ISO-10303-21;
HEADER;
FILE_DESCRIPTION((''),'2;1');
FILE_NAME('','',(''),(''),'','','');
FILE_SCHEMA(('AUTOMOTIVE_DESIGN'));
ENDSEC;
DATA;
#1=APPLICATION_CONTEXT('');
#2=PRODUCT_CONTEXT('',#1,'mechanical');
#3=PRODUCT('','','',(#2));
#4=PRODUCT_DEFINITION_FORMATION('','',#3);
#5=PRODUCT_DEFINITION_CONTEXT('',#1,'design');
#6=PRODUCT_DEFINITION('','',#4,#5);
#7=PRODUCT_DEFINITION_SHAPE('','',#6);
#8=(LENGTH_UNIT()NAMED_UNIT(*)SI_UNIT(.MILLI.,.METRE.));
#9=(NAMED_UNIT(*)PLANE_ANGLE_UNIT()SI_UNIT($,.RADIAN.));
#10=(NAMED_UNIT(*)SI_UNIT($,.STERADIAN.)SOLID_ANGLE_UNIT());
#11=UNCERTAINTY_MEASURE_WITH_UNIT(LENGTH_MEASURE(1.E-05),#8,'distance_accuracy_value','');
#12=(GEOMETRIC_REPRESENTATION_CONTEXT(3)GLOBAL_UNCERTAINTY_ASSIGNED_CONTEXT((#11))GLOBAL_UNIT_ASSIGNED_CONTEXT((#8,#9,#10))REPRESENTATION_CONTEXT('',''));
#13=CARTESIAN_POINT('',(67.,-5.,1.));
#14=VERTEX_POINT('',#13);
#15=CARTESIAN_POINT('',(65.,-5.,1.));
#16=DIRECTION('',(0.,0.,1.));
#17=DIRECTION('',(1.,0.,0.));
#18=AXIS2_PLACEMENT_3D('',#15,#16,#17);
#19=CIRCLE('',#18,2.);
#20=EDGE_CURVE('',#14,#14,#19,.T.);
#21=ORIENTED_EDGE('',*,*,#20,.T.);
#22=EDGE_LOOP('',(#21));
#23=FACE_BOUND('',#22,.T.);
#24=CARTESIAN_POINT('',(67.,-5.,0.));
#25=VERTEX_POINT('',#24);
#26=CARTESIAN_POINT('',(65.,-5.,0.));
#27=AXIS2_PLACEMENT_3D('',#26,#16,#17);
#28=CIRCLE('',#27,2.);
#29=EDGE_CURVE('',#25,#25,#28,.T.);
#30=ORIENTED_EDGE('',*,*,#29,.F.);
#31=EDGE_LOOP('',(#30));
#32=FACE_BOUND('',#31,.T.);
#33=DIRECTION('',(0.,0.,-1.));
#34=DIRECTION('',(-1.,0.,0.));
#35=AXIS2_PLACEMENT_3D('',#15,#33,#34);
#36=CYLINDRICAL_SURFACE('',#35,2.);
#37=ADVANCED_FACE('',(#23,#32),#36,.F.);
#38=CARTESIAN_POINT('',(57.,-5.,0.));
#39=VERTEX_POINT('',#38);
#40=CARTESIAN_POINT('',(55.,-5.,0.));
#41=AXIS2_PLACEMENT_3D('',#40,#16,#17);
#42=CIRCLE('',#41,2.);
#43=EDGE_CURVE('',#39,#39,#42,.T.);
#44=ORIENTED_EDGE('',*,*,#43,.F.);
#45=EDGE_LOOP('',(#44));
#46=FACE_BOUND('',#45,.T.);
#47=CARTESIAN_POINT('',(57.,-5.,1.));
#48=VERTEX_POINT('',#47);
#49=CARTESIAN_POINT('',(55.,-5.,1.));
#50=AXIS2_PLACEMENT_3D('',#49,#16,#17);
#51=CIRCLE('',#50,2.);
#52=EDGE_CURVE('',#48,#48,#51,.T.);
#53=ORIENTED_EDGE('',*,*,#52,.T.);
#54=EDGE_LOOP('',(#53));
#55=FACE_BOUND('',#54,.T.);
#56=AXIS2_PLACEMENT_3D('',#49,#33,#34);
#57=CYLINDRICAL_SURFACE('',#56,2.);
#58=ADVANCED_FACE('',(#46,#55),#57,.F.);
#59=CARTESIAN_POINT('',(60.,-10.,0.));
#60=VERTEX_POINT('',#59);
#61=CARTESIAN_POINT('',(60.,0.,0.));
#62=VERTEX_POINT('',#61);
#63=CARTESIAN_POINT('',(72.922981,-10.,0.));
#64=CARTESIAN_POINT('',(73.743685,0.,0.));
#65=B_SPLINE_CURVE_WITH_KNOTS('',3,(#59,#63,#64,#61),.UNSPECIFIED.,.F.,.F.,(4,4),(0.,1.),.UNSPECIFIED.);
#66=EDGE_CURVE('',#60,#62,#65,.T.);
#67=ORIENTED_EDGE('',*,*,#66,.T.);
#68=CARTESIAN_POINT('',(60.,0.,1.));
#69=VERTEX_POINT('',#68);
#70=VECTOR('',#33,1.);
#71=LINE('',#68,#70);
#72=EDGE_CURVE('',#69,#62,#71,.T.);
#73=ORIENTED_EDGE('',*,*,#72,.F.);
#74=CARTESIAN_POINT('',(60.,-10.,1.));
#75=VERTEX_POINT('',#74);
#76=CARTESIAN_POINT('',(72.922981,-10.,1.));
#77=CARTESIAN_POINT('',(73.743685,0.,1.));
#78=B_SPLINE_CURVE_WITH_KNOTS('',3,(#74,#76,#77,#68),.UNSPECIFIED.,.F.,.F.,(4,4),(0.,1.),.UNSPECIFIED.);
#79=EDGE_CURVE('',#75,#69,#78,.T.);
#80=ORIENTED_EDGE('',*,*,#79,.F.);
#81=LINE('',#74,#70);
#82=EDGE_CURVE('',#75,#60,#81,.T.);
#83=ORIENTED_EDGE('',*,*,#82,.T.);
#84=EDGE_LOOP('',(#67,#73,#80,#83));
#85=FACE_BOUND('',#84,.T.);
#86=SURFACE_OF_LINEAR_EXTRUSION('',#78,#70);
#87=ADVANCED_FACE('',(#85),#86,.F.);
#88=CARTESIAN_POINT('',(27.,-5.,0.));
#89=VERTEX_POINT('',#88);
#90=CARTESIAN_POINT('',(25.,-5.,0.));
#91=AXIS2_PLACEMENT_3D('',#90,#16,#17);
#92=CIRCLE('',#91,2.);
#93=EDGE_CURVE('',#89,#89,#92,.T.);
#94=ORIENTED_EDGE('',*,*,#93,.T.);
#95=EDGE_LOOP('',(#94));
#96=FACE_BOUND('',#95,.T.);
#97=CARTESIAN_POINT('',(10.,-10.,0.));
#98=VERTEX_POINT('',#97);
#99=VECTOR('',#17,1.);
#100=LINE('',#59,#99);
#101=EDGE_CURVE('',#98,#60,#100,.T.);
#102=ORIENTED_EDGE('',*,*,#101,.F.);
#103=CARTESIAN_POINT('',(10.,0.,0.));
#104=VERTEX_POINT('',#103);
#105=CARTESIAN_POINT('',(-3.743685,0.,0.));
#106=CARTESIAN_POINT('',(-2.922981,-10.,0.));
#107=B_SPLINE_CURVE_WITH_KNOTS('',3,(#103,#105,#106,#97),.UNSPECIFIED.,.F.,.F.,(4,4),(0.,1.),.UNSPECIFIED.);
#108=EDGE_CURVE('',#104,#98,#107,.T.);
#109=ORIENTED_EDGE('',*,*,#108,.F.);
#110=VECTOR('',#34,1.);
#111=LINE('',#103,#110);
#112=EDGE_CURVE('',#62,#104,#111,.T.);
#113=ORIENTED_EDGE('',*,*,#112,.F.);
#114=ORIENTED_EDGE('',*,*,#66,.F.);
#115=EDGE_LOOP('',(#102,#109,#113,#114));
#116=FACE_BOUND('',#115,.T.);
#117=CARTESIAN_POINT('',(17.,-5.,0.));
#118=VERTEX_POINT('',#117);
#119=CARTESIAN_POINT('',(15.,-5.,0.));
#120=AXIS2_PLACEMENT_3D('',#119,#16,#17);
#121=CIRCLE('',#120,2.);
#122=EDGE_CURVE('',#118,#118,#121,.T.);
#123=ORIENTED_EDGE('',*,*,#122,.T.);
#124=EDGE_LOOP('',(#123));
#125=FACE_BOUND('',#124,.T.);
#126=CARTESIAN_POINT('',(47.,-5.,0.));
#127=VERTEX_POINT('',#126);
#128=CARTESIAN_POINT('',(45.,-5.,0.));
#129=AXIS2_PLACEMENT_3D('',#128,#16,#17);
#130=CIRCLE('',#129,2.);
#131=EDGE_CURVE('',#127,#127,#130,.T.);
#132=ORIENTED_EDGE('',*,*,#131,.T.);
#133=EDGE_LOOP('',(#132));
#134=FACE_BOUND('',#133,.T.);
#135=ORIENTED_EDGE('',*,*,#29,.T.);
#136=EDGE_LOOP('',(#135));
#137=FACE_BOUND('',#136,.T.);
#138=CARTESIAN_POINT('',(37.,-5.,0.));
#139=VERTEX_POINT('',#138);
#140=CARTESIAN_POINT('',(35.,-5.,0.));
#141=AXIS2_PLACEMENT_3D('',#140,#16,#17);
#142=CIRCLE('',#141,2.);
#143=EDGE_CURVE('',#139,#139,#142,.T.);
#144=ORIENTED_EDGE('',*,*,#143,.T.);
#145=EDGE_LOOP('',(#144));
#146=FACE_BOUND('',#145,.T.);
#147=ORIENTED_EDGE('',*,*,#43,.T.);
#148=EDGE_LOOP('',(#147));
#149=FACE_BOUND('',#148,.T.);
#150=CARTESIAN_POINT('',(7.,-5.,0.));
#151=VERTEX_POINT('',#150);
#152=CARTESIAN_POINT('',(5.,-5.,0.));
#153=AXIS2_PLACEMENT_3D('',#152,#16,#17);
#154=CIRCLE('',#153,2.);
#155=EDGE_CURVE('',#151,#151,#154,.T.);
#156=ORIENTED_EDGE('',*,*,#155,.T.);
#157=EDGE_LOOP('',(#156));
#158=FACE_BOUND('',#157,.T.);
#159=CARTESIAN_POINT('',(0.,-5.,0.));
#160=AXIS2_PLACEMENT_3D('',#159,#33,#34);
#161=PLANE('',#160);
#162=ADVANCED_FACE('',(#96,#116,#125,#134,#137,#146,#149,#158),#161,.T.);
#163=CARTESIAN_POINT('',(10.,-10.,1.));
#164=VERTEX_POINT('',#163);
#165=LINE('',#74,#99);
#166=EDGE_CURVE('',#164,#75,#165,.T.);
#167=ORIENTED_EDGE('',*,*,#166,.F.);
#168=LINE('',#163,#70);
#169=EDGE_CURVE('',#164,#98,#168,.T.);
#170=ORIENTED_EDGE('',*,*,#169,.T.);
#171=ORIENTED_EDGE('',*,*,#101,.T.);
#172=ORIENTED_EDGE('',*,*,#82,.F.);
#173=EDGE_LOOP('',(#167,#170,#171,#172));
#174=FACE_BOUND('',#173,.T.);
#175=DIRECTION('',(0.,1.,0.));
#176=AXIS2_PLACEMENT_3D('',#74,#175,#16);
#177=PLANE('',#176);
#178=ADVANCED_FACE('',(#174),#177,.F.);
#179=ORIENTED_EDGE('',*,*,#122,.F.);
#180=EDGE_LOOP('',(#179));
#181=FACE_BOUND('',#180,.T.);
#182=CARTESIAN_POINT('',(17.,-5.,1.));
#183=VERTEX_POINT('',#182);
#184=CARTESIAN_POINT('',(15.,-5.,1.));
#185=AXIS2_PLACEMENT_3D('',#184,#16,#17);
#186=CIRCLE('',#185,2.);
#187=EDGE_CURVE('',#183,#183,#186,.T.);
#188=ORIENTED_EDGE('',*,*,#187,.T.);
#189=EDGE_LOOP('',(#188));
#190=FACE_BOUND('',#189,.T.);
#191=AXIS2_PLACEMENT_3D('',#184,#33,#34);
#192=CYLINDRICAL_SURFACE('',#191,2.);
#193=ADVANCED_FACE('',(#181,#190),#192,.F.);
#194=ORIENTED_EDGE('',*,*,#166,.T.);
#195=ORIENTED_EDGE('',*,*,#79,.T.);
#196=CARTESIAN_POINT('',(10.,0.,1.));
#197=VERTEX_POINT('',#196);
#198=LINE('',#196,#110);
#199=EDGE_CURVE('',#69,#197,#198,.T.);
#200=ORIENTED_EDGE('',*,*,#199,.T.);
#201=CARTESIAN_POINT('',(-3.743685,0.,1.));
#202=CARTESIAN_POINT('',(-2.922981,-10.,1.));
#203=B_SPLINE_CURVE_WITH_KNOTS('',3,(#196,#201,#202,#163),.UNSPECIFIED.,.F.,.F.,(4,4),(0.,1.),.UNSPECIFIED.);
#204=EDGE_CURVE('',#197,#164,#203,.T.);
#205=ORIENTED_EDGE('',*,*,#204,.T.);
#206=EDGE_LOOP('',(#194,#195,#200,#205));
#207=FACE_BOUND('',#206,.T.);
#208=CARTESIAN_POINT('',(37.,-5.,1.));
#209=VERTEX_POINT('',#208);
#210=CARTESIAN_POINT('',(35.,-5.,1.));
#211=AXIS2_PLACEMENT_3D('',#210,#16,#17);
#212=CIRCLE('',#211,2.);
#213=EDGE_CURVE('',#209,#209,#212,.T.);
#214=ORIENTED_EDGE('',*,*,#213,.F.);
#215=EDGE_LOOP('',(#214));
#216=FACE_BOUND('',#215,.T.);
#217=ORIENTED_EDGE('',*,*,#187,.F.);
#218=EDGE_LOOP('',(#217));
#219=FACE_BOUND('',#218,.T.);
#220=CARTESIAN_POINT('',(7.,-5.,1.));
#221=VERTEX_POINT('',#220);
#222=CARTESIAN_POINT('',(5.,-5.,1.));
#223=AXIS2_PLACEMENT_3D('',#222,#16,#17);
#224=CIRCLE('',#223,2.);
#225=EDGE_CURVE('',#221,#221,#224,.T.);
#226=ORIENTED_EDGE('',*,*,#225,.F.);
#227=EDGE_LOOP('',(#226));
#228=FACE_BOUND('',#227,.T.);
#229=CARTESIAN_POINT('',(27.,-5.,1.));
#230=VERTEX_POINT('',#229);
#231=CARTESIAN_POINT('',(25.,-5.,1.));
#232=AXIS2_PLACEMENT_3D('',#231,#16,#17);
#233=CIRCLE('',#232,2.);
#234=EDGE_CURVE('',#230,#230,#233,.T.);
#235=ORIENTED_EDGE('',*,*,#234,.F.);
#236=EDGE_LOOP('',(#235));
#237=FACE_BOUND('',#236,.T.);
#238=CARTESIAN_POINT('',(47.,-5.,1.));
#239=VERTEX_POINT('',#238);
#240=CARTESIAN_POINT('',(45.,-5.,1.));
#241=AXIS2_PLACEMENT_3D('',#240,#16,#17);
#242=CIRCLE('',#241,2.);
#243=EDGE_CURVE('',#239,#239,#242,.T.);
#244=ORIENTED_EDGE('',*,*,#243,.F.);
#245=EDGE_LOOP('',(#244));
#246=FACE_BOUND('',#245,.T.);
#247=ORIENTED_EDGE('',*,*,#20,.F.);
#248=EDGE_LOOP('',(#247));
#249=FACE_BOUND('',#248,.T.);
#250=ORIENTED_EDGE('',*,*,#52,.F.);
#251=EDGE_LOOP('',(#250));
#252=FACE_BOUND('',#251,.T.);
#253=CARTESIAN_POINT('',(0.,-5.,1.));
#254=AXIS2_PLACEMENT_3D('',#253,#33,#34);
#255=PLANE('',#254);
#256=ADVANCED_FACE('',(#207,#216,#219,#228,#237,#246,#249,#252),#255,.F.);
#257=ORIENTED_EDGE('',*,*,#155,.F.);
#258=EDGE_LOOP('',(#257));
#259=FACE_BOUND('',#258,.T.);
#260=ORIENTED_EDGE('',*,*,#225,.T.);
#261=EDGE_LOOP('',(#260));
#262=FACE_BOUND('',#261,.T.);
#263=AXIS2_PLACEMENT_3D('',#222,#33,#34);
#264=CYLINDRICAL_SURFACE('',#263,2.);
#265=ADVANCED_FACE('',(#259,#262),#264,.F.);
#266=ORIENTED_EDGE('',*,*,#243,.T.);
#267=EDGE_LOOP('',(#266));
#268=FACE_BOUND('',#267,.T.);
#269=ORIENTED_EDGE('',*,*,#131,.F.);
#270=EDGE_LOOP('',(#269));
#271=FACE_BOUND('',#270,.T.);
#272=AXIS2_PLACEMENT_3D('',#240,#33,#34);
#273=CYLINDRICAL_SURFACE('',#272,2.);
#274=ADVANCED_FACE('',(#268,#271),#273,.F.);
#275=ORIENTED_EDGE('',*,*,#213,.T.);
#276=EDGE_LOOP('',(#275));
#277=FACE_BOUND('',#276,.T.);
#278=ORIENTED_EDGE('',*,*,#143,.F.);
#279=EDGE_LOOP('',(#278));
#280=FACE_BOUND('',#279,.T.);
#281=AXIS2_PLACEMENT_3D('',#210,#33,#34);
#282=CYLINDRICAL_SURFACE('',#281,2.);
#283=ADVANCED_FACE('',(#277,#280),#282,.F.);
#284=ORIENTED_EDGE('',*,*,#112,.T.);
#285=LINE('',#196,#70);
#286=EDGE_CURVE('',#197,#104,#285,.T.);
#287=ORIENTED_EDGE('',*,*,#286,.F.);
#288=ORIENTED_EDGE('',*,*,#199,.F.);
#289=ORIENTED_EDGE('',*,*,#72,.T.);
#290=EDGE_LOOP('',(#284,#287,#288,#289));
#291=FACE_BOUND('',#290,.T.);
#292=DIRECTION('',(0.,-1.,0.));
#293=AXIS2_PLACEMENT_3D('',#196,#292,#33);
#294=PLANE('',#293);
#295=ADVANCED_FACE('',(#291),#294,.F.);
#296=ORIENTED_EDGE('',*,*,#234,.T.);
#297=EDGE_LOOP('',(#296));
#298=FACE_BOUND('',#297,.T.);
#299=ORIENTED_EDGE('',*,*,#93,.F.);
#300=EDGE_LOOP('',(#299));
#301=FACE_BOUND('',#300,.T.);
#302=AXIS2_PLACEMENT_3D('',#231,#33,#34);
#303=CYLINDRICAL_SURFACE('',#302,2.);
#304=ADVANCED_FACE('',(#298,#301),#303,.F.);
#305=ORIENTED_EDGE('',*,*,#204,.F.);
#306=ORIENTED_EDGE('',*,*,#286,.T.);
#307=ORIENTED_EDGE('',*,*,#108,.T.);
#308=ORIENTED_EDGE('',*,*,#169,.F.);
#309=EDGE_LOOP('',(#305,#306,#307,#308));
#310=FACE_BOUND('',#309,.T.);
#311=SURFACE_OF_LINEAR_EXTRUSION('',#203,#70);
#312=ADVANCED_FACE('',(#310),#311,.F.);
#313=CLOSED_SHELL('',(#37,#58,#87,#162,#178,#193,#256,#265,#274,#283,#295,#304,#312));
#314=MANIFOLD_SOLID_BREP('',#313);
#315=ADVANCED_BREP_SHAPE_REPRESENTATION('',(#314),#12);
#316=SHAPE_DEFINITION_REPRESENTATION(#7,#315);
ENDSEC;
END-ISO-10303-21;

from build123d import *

# Parameters (mm, degrees)
SKETCH_3_R      = 2
EXTRUDE_1_DEPTH = 1


with BuildPart() as part:
    # Эскиз3 → Бобышка-Вытянуть1 (new body)
    with BuildSketch(Plane.XY):
        with BuildLine():
            Line((10, 0), (60, 0))
            add(Edge.make_bspline(
                [(60, 0), (73.743685419, 0), (72.922981248, -10), (60, -10)],
                knots=[0, 0, 0, 0, 1, 1, 1, 1], degree=3))
            Line((60, -10), (10, -10))
            add(Edge.make_bspline(
                [(10, 0), (-3.743685419, 0), (-2.922981248, -10), (10, -10)],
                knots=[0, 0, 0, 0, 1, 1, 1, 1], degree=3))
        make_face()
        with Locations((5, -5)):
            Circle(SKETCH_3_R, mode=Mode.SUBTRACT)
        with Locations((65, -5)):
            Circle(SKETCH_3_R, mode=Mode.SUBTRACT)
        with Locations((15, -5)):
            Circle(SKETCH_3_R, mode=Mode.SUBTRACT)
        with Locations((25, -5)):
            Circle(SKETCH_3_R, mode=Mode.SUBTRACT)
        with Locations((35, -5)):
            Circle(SKETCH_3_R, mode=Mode.SUBTRACT)
        with Locations((45, -5)):
            Circle(SKETCH_3_R, mode=Mode.SUBTRACT)
        with Locations((55, -5)):
            Circle(SKETCH_3_R, mode=Mode.SUBTRACT)
    extrude(amount=EXTRUDE_1_DEPTH)


solid = part.part
